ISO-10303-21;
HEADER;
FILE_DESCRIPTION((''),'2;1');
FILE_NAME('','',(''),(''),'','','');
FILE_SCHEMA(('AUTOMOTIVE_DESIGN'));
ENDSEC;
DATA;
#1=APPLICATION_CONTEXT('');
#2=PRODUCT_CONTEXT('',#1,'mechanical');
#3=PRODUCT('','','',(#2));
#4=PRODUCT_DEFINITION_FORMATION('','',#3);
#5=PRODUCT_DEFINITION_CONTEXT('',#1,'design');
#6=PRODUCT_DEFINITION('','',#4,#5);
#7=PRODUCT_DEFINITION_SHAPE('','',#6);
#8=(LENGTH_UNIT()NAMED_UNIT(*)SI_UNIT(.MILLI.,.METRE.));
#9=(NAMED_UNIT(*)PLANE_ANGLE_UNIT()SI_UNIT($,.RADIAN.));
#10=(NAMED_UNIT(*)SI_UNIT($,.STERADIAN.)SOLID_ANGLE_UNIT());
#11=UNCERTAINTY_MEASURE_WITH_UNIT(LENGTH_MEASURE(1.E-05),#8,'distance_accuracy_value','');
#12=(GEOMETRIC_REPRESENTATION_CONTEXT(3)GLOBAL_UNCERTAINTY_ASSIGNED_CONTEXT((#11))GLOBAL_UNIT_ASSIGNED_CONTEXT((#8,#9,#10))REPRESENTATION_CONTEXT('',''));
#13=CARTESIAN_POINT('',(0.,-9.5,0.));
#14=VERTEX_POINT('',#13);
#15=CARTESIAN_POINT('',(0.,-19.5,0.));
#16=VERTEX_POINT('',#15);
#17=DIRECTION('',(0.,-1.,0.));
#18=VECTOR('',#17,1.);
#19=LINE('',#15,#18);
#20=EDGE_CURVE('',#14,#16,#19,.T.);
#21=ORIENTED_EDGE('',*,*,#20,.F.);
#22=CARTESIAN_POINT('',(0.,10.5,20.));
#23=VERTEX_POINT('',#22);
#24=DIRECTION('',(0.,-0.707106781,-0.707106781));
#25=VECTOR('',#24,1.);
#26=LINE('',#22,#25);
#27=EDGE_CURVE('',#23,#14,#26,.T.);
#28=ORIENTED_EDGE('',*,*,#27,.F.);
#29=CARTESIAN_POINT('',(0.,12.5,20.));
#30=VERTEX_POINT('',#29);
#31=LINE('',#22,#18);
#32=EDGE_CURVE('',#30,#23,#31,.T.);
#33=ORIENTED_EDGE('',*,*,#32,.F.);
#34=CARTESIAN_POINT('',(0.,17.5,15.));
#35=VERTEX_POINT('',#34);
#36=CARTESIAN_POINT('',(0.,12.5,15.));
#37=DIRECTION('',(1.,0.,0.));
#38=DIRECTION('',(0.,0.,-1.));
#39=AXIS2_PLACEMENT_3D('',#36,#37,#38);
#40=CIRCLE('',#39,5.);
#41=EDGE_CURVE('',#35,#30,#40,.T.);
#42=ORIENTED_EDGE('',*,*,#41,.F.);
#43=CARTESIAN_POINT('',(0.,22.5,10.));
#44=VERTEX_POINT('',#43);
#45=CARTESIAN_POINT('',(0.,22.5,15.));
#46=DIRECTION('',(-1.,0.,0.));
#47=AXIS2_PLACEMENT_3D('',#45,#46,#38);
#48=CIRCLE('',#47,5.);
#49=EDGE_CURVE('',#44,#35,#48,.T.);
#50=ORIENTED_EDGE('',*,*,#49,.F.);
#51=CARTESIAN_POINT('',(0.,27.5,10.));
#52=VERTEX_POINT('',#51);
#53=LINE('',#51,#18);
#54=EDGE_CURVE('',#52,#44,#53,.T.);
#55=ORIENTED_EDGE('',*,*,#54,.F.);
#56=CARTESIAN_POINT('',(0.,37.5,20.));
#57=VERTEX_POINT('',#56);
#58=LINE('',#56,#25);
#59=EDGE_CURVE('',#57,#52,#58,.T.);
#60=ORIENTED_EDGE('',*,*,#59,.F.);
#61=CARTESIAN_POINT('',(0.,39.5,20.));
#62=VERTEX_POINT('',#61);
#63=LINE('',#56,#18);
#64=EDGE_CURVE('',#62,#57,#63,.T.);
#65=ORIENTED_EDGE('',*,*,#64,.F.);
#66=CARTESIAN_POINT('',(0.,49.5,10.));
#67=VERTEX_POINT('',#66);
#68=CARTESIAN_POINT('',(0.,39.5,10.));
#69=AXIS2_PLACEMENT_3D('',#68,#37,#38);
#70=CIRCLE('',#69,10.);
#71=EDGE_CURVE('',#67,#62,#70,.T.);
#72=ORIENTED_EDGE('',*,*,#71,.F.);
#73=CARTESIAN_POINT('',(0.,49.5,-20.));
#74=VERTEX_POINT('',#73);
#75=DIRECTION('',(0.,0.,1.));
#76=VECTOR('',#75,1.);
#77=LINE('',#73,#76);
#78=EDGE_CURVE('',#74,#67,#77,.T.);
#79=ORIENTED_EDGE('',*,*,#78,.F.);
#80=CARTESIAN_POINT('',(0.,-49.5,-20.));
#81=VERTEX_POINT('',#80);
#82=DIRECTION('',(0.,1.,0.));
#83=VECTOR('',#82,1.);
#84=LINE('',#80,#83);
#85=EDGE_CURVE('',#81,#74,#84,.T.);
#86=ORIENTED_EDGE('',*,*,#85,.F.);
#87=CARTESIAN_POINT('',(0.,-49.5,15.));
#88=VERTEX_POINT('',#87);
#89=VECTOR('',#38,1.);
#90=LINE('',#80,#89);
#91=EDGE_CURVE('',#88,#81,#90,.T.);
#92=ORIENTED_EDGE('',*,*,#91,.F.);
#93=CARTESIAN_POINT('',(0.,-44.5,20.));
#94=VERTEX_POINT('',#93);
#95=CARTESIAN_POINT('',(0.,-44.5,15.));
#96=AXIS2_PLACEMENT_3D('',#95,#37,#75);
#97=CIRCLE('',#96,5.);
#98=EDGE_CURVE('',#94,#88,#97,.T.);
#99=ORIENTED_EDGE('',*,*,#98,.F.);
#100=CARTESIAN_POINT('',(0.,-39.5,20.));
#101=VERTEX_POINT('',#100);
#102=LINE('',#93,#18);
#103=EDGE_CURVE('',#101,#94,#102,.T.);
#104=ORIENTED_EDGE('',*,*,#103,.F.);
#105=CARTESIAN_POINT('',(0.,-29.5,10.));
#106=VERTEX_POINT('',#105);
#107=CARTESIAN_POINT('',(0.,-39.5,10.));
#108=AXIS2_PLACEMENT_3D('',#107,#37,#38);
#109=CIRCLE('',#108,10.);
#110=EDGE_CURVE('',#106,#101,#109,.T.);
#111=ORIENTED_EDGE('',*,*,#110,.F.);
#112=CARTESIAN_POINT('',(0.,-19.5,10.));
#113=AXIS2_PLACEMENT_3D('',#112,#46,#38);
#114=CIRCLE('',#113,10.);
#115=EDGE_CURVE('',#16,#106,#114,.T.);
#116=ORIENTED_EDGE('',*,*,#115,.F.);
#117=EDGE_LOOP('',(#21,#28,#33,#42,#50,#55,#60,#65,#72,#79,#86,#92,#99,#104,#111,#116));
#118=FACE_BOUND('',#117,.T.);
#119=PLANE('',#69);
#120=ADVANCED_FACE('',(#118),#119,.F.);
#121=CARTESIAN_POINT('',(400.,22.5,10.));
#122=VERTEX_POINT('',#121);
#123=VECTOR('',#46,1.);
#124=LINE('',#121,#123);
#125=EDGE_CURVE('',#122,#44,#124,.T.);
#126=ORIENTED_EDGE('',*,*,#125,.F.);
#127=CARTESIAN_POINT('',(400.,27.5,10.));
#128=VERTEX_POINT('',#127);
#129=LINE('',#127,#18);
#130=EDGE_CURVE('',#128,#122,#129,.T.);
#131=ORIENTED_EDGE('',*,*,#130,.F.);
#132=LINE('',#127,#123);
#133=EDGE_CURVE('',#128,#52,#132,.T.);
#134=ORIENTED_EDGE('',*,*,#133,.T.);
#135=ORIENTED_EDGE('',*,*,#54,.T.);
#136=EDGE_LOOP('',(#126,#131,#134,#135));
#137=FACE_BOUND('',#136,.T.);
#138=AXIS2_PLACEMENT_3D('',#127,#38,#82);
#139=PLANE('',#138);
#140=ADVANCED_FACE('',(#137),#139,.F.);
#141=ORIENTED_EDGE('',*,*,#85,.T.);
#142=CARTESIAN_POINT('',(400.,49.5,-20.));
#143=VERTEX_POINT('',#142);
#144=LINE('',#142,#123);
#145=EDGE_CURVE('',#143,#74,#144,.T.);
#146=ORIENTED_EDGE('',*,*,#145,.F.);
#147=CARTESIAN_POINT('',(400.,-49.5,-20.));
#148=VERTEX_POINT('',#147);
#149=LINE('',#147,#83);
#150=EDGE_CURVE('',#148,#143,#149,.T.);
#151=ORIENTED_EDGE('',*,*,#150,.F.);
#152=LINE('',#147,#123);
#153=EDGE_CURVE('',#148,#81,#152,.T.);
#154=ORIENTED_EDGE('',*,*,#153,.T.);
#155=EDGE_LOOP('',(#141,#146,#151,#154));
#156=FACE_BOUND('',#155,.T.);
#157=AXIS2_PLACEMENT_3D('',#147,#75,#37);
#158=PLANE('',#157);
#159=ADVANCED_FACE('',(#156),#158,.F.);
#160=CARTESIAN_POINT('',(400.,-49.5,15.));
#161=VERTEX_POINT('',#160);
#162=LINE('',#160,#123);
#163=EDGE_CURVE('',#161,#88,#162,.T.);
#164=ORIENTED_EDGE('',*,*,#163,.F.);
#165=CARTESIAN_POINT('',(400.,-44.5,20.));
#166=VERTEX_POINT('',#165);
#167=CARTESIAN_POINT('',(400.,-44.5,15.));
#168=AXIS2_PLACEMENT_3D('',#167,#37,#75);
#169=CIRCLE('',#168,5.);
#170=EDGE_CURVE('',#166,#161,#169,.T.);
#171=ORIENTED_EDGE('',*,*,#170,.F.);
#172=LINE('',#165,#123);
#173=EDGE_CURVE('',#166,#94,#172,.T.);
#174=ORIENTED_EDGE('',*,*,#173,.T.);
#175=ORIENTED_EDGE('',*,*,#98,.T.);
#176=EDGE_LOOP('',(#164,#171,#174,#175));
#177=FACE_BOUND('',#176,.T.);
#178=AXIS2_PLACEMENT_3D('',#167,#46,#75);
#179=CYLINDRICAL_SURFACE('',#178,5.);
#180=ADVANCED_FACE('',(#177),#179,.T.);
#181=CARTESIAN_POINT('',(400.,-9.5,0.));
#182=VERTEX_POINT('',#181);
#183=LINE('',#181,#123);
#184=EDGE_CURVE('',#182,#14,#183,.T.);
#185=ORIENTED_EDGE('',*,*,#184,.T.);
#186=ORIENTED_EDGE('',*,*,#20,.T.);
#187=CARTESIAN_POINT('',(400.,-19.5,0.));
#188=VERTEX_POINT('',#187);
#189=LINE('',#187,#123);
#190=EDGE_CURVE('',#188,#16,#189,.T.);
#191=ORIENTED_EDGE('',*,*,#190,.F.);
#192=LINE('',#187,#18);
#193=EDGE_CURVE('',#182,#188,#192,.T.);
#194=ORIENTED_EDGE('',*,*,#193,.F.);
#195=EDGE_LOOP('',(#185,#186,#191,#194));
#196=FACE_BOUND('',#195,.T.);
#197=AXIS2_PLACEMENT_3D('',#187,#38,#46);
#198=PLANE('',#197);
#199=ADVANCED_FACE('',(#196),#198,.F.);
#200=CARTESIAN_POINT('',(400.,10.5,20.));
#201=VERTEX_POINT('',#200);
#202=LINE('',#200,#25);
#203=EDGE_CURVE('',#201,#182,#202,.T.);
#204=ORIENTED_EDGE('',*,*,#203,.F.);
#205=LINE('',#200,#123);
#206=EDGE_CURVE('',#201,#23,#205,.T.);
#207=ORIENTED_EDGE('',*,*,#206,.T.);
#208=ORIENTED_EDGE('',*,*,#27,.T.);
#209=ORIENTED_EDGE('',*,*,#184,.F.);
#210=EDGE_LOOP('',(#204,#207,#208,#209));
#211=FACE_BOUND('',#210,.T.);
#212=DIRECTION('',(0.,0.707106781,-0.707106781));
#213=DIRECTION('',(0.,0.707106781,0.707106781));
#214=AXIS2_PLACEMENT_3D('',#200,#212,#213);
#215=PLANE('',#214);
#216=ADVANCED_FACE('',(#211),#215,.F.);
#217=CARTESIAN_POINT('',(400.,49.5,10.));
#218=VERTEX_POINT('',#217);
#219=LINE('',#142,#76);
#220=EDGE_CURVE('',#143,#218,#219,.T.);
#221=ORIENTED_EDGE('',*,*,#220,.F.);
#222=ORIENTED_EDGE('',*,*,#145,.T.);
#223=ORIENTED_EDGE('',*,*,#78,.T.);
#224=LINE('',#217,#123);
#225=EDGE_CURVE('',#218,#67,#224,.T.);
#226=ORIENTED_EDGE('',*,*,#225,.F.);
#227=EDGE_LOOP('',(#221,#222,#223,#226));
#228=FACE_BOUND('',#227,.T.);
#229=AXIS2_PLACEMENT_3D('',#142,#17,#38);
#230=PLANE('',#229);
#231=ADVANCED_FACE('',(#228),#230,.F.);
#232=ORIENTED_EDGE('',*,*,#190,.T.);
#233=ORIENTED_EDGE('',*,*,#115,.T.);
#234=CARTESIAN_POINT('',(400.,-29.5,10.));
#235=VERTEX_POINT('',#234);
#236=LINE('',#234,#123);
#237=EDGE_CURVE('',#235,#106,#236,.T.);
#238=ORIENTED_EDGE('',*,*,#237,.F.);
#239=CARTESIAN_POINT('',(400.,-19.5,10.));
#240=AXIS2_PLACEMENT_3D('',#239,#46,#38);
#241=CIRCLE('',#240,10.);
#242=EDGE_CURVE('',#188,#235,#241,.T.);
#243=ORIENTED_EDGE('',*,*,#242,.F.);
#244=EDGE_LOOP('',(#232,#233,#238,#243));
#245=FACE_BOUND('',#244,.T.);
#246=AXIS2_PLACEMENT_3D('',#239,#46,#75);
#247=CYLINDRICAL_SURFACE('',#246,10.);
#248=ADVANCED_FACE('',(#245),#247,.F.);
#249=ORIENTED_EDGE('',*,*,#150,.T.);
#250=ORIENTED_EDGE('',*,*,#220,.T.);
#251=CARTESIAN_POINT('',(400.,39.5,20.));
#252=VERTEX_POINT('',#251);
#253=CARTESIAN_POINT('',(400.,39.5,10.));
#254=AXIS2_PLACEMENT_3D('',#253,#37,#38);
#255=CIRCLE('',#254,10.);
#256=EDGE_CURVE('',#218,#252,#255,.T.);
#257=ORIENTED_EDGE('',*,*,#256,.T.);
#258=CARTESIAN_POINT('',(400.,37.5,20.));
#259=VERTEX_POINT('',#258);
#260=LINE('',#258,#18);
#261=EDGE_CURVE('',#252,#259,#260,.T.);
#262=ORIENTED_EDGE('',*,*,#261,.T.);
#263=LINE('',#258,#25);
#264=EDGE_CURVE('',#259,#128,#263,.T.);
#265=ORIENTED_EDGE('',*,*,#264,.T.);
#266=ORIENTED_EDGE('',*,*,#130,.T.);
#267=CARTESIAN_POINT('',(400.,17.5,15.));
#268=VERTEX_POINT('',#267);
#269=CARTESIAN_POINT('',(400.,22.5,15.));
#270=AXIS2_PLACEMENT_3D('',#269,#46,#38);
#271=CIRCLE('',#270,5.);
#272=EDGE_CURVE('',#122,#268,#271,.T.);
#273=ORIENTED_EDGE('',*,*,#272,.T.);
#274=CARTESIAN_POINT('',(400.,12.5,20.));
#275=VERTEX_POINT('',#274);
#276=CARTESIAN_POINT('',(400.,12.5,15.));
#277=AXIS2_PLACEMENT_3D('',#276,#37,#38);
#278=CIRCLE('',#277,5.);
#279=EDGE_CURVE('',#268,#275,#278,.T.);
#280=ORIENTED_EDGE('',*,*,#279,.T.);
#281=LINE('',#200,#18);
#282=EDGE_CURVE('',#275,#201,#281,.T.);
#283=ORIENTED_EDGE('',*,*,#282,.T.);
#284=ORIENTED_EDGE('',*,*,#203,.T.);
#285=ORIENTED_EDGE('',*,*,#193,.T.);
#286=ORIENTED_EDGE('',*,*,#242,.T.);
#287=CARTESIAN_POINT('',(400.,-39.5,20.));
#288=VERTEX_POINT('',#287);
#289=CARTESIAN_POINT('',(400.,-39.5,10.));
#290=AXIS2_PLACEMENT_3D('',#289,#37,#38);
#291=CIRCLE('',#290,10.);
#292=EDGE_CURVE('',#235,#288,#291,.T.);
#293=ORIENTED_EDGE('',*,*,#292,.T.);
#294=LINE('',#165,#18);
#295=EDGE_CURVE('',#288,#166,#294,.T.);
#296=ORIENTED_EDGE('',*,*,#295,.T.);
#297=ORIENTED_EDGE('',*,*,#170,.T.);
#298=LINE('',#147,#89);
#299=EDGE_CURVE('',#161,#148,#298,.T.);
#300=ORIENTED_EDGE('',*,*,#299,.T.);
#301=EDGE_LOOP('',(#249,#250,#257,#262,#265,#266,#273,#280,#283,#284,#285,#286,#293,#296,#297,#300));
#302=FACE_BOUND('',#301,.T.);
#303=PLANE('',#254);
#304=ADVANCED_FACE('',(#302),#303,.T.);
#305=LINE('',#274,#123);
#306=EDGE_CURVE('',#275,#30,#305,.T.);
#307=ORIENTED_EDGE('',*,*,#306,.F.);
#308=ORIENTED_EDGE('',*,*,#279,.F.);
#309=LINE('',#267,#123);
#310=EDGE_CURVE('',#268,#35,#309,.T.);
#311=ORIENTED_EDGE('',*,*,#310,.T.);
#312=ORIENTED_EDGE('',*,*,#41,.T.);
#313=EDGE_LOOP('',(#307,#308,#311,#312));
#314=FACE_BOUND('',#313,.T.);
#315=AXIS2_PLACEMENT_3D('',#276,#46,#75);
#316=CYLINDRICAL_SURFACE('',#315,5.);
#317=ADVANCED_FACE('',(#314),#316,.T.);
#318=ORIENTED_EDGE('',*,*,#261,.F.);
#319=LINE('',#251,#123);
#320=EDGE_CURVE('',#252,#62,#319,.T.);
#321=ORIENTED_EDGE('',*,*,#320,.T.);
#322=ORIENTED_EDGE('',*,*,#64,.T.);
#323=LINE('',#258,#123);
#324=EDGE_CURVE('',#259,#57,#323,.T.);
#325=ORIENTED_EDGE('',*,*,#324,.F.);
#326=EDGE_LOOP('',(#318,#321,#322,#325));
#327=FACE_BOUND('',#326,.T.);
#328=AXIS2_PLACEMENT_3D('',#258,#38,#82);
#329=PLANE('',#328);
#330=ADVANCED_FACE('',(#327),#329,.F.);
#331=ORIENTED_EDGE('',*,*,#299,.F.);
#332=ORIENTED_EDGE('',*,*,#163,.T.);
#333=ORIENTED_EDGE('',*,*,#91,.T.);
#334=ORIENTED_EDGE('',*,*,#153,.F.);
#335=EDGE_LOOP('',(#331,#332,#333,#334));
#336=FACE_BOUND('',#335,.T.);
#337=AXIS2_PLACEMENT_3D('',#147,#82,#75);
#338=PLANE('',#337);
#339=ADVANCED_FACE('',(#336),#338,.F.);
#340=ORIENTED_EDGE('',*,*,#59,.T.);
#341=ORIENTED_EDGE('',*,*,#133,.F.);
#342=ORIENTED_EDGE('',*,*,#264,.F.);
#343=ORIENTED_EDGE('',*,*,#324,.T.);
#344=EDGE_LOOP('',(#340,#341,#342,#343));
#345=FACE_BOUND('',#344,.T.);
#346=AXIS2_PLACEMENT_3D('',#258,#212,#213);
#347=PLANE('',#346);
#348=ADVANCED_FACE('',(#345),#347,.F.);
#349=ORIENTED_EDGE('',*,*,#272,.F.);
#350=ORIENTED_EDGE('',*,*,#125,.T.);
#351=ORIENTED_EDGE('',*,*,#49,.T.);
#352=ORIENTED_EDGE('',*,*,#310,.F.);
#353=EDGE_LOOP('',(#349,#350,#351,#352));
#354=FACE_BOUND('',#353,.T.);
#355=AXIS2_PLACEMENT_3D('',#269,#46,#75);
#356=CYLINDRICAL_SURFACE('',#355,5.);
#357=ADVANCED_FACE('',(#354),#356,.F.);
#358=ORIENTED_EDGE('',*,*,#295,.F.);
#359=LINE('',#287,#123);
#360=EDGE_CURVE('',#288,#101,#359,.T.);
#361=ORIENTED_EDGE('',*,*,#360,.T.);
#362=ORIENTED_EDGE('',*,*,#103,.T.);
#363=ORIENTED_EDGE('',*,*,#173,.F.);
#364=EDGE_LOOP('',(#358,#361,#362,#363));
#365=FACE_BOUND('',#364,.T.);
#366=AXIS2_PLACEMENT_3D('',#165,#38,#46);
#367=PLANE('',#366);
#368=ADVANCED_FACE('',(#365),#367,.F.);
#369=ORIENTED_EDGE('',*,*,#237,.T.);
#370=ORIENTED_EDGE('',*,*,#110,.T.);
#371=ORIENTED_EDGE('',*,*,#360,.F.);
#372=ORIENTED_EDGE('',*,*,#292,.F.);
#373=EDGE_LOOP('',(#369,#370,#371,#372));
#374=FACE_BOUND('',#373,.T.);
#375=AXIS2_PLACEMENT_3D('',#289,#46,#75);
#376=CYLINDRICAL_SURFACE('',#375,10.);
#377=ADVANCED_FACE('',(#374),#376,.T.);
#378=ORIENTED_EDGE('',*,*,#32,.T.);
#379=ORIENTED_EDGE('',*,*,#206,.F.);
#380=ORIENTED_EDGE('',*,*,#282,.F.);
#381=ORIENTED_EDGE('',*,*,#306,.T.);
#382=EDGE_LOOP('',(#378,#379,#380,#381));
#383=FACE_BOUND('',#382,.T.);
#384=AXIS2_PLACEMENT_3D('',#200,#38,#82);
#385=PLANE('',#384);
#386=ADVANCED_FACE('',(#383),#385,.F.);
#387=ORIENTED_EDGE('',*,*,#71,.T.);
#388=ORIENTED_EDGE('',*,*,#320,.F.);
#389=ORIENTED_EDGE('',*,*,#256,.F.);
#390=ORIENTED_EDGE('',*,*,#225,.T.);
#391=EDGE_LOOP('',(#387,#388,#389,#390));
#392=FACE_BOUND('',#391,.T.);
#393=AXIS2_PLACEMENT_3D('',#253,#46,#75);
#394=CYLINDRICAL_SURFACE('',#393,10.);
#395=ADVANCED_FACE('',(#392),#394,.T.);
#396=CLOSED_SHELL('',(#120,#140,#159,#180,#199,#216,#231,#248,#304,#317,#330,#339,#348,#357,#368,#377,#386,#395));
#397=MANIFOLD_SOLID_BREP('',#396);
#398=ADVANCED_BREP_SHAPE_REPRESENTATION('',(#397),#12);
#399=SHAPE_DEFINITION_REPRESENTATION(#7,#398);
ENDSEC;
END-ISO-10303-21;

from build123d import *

# Parameters (mm, degrees)
SALIENTE_EXTRUIR1_DEPTH = 400


with BuildPart() as part:
    # Croquis1 → Saliente-Extruir1 (new body)
    with BuildSketch(Plane(origin=(0, 0, 0), x_dir=(0, 0, -1), z_dir=(1, 0, 0))):
        with BuildLine():
            Line((-20, 37.5), (-20, 39.5))
            ThreePointArc((-20, 39.5), (-17.071067812, 46.571067812), (-10, 49.5))
            Line((-10, 49.5), (20, 49.5))
            Line((20, 49.5), (20, -49.5))
            Line((20, -49.5), (-15, -49.5))
            ThreePointArc((-15, -49.5), (-18.535533906, -48.035533906), (-20, -44.5))
            Line((-20, -44.5), (-20, -39.5))
            ThreePointArc((-20, -39.5), (-17.071067812, -32.428932188), (-10, -29.5))
            ThreePointArc((-10, -29.5), (-2.928932188, -26.571067812), (0, -19.5))
            Line((0, -19.5), (0, -9.5))
            Line((0, -9.5), (-20, 10.5))
            Line((-20, 10.5), (-20, 12.5))
            ThreePointArc((-20, 12.5), (-18.535533906, 16.035533906), (-15, 17.5))
            ThreePointArc((-15, 17.5), (-11.464466094, 18.964466094), (-10, 22.5))
            Line((-10, 22.5), (-10, 27.5))
            Line((-10, 27.5), (-20, 37.5))
        make_face()
    extrude(amount=SALIENTE_EXTRUIR1_DEPTH)


solid = part.part
